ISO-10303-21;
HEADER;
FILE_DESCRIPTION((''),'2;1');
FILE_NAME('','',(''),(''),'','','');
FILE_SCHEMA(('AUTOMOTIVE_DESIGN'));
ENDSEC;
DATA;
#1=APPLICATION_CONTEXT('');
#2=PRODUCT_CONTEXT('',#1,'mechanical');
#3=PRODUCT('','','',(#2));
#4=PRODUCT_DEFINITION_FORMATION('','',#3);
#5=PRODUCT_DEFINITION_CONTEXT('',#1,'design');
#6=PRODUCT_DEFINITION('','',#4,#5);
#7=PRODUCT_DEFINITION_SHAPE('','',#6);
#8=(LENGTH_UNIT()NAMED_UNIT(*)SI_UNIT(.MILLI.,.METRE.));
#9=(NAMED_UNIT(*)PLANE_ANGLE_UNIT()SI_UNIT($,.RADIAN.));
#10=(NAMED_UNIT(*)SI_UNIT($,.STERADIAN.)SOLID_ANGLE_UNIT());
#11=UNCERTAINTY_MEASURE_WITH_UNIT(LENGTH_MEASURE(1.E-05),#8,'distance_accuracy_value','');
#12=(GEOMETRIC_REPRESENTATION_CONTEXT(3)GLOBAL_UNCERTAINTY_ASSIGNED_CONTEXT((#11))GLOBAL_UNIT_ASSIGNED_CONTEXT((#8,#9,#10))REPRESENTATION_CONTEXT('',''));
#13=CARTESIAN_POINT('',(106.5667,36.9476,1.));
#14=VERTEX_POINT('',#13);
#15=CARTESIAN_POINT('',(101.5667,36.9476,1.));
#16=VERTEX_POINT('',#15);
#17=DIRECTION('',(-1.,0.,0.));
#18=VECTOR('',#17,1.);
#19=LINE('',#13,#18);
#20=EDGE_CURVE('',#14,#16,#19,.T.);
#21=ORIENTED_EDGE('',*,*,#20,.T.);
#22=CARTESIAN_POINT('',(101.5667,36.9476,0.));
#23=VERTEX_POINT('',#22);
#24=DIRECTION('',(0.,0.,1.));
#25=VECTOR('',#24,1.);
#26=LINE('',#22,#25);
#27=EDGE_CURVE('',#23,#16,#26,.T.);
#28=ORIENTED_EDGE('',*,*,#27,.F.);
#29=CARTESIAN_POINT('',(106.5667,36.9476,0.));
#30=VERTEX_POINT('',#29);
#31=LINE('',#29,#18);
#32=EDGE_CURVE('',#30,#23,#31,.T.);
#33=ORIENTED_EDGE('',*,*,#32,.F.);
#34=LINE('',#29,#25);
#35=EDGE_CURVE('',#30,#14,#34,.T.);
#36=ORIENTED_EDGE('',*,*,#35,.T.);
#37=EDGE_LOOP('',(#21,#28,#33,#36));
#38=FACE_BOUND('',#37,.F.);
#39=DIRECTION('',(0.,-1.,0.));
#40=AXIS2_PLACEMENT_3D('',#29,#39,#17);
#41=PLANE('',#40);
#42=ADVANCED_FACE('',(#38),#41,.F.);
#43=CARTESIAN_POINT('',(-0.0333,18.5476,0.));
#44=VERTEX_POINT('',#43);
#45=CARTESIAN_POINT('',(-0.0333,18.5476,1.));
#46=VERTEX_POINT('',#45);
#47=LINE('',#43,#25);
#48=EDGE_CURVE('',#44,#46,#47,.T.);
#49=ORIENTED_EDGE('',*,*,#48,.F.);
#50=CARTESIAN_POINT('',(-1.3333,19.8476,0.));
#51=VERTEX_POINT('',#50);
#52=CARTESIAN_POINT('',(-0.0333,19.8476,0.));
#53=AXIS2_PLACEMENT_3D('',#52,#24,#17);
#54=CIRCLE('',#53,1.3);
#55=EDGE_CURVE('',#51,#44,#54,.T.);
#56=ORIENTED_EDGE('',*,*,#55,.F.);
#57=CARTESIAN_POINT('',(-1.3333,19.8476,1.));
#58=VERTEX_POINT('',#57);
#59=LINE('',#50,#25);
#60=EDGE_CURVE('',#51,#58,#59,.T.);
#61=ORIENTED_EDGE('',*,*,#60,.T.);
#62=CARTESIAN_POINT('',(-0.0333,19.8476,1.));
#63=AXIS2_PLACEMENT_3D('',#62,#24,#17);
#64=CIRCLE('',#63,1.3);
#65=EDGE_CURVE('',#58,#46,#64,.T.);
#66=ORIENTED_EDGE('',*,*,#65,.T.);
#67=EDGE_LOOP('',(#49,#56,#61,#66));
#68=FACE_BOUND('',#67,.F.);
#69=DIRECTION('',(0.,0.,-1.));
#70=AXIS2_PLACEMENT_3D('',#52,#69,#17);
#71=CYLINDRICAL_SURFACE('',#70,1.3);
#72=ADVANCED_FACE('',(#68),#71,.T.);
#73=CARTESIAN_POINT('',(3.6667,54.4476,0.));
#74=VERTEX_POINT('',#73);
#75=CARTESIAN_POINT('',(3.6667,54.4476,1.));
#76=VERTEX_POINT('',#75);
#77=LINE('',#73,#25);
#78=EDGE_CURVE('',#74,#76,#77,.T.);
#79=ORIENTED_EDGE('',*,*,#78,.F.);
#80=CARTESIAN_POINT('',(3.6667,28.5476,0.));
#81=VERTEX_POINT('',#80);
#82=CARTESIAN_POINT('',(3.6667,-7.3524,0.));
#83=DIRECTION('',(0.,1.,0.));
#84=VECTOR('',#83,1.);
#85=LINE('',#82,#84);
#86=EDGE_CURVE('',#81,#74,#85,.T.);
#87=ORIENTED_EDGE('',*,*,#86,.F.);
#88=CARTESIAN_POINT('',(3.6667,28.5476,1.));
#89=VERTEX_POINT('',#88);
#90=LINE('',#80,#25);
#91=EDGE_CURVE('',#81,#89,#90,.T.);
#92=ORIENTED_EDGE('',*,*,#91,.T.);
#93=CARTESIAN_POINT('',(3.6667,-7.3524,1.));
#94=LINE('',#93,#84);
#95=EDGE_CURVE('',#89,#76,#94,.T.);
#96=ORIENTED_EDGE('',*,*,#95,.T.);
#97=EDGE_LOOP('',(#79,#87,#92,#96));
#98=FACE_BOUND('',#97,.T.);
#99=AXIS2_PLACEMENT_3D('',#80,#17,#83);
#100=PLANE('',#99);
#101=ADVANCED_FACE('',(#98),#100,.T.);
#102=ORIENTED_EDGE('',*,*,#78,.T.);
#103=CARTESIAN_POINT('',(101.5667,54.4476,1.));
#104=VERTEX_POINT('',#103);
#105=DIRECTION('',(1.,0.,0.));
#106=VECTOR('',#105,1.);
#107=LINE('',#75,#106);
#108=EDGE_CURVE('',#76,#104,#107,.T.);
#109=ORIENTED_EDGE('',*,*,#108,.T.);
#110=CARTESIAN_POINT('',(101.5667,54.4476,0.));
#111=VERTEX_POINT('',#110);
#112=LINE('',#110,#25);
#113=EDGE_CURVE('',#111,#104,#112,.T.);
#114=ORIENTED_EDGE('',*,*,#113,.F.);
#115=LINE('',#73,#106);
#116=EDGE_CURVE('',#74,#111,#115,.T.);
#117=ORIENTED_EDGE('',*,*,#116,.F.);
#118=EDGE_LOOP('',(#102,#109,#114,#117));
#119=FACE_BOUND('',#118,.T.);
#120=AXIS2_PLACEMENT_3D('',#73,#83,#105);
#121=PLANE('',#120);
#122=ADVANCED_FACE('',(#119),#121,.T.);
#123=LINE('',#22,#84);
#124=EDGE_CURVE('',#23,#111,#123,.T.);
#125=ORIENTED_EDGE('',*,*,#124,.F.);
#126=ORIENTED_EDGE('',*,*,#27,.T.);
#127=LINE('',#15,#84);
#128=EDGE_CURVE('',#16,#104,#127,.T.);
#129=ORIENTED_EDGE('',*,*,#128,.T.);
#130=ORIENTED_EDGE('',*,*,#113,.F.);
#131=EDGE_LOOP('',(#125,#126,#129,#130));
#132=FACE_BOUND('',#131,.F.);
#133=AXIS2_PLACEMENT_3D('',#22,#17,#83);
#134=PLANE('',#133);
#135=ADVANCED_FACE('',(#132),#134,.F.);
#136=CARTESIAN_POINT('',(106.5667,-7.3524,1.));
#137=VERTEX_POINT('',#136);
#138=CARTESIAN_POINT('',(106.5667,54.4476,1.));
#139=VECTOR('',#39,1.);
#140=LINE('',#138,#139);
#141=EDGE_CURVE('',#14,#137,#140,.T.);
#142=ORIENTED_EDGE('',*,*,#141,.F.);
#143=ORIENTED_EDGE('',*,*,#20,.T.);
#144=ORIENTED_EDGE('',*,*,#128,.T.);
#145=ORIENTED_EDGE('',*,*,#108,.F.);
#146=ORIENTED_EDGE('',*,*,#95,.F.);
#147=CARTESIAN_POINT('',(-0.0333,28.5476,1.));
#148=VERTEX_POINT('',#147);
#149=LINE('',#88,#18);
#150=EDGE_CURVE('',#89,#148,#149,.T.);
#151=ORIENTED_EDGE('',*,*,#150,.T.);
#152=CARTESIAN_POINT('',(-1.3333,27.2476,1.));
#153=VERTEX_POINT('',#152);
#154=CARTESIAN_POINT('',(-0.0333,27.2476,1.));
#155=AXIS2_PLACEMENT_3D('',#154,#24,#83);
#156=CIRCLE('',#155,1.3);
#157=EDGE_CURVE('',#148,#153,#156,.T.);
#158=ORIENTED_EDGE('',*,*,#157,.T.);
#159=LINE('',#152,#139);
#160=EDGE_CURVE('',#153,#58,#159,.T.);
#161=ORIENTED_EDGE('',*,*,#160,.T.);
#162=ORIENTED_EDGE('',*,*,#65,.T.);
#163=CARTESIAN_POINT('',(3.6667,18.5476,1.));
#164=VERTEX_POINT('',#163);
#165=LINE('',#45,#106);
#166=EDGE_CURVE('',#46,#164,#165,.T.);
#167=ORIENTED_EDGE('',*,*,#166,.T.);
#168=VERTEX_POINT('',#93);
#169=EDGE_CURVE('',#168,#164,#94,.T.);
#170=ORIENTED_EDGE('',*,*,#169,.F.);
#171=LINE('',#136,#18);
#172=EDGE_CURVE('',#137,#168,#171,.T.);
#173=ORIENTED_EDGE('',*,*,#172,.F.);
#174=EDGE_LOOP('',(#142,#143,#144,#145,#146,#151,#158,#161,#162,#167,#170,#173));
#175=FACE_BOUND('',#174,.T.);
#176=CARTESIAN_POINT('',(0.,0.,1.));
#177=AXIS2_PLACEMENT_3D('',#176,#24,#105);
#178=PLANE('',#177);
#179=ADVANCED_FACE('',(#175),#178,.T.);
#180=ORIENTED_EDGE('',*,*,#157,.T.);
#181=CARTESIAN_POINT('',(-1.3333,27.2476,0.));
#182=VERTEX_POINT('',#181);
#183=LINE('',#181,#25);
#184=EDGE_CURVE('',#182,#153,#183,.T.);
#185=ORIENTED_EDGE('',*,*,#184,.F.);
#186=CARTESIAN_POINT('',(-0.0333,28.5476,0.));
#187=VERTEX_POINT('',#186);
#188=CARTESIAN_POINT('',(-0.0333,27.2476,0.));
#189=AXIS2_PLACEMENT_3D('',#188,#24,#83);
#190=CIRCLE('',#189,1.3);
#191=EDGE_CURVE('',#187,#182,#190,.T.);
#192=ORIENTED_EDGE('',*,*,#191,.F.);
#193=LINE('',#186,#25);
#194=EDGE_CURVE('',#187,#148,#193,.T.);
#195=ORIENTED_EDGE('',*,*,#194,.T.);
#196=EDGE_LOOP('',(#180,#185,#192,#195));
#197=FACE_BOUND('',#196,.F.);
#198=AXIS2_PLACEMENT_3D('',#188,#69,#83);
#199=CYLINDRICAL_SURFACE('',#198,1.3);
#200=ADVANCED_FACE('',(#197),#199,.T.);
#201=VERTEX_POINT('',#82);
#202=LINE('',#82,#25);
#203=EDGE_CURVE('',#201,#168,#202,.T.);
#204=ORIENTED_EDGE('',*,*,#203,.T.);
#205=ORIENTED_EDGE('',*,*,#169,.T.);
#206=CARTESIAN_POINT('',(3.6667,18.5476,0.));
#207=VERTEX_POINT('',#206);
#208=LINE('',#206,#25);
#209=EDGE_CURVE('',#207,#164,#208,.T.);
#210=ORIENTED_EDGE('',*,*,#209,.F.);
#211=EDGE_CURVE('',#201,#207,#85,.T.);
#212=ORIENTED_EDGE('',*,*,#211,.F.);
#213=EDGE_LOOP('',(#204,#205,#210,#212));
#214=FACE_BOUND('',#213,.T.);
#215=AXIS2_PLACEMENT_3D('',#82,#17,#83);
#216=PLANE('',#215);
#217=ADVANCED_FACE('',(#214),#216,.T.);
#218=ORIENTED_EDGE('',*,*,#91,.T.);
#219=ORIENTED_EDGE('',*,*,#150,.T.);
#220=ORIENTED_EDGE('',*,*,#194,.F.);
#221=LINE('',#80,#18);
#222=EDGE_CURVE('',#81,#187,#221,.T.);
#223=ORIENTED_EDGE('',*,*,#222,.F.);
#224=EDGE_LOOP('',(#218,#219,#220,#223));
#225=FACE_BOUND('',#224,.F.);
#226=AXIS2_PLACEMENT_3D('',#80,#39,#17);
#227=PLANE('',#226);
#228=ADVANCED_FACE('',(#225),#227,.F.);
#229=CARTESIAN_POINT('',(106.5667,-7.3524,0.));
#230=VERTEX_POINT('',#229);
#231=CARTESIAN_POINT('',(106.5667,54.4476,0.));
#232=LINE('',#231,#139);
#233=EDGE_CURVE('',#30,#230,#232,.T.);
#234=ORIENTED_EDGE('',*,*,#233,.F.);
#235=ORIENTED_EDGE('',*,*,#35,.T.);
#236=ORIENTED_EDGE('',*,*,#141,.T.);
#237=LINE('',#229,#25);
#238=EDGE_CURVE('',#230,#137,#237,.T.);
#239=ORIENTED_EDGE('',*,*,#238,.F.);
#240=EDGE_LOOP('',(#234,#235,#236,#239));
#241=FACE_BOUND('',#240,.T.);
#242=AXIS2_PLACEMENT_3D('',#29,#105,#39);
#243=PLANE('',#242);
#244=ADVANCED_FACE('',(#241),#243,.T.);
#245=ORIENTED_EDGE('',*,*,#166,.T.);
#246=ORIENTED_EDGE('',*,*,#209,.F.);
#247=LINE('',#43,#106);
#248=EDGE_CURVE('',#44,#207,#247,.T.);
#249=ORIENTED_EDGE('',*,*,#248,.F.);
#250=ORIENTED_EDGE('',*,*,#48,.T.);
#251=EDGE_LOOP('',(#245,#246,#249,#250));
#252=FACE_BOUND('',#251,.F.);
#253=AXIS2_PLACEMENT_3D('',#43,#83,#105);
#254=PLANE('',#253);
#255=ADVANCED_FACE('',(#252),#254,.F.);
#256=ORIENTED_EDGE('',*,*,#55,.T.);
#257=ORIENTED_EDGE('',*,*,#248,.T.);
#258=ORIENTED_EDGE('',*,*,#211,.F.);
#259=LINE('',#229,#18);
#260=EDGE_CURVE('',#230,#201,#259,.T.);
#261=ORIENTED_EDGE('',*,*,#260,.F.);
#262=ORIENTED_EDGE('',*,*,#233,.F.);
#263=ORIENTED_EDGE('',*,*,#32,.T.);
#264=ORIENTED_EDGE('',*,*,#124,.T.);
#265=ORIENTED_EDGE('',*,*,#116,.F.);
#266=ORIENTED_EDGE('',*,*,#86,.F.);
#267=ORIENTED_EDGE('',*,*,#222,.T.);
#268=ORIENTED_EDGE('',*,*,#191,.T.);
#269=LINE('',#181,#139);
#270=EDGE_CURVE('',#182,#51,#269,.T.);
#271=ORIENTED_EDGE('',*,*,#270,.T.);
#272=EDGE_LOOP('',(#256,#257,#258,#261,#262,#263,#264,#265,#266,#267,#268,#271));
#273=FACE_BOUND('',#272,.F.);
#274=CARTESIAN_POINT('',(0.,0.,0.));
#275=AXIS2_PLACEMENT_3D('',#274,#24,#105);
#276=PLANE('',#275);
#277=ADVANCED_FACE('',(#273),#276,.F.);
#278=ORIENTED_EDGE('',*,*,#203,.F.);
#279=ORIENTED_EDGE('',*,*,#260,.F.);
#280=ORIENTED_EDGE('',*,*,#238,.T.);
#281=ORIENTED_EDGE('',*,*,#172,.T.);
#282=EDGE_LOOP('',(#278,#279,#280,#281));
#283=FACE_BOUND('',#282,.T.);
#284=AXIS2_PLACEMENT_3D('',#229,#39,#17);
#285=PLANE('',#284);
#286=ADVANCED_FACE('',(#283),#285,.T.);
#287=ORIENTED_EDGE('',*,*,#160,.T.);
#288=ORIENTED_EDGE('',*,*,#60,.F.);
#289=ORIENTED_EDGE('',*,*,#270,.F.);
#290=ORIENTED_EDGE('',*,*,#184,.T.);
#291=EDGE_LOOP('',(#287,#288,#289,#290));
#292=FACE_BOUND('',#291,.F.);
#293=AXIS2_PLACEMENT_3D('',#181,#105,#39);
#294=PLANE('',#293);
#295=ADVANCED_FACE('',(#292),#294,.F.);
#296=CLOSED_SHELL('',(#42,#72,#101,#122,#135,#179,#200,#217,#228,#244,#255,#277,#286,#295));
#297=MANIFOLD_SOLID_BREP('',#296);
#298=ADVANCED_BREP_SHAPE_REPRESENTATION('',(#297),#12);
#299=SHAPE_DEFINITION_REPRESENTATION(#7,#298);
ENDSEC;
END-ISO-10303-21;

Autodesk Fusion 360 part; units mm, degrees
sketch "Sketch1" plane through (0, 0, 0) normal (0, 0, 1) x (1, 0, 0)
  line L0 (3.6667, 54.4476) -> (106.5667, 54.4476)
  line L1 (106.5667, 54.4476) -> (106.5667, -7.3524)
  line L2 (106.5667, -7.3524) -> (3.6667, -7.3524)
  line L3 (3.6667, -7.3524) -> (3.6667, 54.4476)
  line L4 (3.6667, 23.5476) -> (106.5667, 23.5476) construction
  line L5 (3.6667, 28.5476) -> (-0.0333, 28.5476)
  line L6 (-1.3333, 27.2476) -> (-1.3333, 19.8476)
  line L7 (-0.0333, 18.5476) -> (3.6667, 18.5476)
  line L8 (3.6667, 18.5476) -> (3.6667, 28.5476)
  arc A0 (-0.0333, 28.5476) -> (-1.3333, 27.2476) centre (-0.0333, 27.2476) ccw
  arc A1 (-1.3333, 19.8476) -> (-0.0333, 18.5476) centre (-0.0333, 19.8476) ccw
  line L9 (101.5667, 54.4476) -> (106.5667, 54.4476)
  line L10 (106.5667, 54.4476) -> (106.5667, 36.9476)
  line L11 (106.5667, 36.9476) -> (101.5667, 36.9476)
  line L12 (101.5667, 36.9476) -> (101.5667, 54.4476)
  point P0 (-1.3333, 28.5476)
  point P1 (-1.3333, 18.5476)
  dimension "d1" = 102.9
  dimension "d2" = 61.8
  dimension "d7" = 10
  dimension "d8" = 5
  dimension "d9" = 1.3
  dimension "d12" = 5
  dimension "d13" = 17.5
extrude "Extrude1" add sketch "Sketch1" along normal blind 1 contours L0 L1 L2 L3 L8 L11 L12 | L3 L5 L6 L7 L8 A0 A1
